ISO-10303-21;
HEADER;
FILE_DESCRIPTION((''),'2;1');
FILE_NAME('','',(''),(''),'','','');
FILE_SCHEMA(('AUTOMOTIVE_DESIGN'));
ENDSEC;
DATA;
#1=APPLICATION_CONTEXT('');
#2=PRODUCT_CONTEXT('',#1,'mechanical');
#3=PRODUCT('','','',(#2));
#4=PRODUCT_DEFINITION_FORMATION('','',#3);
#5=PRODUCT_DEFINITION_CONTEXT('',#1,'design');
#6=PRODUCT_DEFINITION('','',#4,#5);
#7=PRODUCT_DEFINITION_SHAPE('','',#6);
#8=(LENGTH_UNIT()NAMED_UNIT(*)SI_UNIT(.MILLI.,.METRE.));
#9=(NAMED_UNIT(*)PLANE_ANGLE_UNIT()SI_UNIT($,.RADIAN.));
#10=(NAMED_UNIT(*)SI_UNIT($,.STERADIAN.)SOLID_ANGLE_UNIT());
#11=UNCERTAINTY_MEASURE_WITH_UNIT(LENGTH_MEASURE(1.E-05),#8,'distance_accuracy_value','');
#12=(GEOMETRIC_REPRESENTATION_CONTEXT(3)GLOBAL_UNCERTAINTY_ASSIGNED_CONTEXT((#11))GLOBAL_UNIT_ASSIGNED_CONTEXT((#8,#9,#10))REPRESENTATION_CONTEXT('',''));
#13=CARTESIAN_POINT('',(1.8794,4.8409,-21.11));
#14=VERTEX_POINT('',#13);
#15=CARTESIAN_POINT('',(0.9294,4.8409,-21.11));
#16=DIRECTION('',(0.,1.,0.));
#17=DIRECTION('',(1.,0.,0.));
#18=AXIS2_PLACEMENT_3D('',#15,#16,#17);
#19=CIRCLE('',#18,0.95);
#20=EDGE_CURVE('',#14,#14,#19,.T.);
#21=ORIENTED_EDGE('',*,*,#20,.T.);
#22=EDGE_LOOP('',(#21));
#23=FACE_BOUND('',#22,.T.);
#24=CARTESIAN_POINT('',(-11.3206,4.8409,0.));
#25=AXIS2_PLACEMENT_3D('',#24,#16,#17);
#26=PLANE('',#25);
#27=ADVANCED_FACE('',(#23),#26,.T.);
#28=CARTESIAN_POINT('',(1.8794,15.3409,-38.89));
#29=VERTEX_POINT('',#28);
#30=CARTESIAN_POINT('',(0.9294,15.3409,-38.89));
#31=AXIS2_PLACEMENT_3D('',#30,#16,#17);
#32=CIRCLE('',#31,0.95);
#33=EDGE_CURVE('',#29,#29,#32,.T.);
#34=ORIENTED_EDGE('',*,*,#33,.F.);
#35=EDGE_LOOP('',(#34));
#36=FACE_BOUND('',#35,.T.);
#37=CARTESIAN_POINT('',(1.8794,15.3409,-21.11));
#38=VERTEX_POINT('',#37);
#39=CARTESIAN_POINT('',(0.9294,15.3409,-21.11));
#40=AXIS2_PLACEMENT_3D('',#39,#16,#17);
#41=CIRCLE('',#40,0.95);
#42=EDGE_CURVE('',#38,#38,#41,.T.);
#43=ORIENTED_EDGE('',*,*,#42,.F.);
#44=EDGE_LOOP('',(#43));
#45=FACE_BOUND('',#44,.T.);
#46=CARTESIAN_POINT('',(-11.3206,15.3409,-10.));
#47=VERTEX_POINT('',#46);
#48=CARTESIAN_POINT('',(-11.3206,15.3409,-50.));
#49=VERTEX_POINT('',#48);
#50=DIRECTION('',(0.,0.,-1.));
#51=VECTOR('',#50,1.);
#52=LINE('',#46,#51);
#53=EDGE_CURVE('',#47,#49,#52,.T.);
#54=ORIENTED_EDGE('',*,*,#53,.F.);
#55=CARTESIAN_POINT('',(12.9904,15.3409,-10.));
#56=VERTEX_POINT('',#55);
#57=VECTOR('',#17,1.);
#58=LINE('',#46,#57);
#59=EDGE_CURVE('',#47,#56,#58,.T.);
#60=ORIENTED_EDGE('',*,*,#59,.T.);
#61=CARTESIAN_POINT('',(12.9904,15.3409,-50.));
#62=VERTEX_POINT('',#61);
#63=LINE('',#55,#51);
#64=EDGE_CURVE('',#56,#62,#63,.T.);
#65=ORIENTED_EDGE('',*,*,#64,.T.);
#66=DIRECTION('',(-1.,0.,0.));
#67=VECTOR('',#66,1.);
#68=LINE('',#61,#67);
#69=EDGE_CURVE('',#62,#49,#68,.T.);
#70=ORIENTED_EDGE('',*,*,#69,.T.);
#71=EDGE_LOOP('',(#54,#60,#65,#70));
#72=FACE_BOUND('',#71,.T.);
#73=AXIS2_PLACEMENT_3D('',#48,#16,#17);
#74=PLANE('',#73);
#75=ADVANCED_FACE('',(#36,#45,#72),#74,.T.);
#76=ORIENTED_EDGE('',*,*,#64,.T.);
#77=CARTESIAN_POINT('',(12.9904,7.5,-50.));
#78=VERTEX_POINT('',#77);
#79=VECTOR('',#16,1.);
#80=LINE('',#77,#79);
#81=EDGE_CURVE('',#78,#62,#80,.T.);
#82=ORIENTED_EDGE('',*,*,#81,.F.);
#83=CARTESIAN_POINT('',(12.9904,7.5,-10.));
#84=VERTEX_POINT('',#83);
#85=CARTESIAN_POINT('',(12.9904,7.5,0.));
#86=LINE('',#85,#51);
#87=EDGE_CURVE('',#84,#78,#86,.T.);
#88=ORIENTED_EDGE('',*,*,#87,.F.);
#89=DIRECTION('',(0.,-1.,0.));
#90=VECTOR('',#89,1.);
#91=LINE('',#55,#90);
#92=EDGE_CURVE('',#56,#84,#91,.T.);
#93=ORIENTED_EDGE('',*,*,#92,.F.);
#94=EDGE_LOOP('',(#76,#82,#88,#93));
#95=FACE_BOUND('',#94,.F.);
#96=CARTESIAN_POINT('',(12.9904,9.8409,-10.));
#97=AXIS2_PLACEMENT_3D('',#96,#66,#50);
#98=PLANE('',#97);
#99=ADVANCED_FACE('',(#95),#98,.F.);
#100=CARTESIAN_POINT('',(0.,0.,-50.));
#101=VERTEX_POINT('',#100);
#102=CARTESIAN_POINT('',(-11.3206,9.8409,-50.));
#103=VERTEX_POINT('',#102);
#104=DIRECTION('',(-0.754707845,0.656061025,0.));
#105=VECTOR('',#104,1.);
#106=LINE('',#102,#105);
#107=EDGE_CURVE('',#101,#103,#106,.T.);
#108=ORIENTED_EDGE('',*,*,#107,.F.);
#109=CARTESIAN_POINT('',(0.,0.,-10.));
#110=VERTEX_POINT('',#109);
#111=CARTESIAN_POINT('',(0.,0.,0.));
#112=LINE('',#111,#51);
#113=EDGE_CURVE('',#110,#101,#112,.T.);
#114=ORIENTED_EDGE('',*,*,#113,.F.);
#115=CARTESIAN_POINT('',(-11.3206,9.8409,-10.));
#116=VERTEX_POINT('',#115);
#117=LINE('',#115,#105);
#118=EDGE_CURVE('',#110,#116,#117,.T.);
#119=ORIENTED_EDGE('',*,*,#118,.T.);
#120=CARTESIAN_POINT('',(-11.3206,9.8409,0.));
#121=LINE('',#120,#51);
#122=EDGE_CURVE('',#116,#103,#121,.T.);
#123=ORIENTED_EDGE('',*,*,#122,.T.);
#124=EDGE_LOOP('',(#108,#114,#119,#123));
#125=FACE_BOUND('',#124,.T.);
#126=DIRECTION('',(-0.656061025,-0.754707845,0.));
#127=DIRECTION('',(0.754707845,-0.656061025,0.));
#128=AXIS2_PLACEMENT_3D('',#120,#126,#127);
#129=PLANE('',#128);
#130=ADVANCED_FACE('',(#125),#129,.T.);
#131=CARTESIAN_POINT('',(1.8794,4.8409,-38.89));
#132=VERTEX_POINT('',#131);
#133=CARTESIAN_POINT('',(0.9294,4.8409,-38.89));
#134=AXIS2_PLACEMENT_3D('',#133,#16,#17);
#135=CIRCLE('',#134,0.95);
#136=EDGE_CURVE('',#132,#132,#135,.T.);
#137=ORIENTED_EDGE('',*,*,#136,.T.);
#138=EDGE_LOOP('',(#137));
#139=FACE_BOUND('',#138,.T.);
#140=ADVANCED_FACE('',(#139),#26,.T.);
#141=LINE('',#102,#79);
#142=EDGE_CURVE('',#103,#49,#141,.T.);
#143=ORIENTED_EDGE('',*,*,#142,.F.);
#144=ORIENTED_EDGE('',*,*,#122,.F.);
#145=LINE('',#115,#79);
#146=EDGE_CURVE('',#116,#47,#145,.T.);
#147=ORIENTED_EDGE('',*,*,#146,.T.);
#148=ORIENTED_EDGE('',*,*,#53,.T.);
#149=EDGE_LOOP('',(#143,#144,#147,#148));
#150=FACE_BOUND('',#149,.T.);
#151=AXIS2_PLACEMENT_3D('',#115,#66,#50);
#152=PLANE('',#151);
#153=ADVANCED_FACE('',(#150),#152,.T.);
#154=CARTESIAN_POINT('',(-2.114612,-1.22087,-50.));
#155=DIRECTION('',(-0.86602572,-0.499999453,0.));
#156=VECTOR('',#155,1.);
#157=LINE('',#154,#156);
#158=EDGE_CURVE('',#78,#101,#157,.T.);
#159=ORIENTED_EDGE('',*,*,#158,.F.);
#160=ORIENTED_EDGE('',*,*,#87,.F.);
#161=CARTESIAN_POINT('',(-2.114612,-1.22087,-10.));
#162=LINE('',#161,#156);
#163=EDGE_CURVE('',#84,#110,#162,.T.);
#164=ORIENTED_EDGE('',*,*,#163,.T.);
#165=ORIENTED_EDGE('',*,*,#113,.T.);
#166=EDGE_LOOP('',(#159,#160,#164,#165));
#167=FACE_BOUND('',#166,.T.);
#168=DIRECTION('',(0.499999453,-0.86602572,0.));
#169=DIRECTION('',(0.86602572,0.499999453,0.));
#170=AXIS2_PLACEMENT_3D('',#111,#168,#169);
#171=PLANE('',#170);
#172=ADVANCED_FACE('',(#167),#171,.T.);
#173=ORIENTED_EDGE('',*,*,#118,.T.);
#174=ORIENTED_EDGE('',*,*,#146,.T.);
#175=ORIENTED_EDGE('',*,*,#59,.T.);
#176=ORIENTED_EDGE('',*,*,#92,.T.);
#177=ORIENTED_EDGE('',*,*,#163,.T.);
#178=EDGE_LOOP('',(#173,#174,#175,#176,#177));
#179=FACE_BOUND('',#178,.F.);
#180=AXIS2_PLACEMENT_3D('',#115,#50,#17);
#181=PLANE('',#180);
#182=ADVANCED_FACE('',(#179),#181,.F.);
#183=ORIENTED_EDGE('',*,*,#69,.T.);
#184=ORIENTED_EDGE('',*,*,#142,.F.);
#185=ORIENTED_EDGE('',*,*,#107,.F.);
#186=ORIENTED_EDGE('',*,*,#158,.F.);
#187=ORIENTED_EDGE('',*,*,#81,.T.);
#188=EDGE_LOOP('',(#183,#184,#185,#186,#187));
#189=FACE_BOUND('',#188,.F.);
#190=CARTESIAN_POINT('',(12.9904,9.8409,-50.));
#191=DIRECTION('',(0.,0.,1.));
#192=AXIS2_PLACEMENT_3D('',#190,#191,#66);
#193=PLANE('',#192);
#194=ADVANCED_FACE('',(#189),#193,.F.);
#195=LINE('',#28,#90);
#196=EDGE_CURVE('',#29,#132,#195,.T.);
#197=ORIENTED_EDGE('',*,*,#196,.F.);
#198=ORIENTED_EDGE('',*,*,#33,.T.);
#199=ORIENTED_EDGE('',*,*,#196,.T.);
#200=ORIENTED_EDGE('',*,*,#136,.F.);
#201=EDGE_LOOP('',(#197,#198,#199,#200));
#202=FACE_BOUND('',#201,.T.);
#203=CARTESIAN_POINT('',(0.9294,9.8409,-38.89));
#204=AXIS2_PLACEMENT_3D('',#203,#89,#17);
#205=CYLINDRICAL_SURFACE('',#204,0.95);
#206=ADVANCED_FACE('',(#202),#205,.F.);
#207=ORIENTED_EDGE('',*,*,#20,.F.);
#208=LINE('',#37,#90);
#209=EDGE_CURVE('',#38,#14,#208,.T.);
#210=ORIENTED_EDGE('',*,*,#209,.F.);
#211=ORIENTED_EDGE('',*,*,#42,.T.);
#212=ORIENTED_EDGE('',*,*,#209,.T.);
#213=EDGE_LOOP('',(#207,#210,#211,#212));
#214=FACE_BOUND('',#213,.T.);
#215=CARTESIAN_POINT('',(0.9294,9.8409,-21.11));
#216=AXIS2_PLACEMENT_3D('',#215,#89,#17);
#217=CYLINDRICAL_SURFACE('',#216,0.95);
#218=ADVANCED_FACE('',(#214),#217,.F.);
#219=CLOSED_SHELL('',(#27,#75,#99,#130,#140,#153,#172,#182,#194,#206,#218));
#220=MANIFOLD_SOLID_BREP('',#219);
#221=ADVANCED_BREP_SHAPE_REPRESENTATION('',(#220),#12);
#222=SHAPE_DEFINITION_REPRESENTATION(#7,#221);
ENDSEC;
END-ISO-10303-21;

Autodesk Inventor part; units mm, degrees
ref_plane "YZ Plane" through (0, 0, 0) normal (1, 0, 0) x (0, 1, 0)
ref_plane "XZ Plane" through (0, 0, 0) normal (0, 1, 0) x (-1, 0, 0)
ref_plane "XY Plane" through (0, 0, 0) normal (0, 0, 1) x (1, 0, 0)
sketch "Sketch1" plane through (0, 0, 0) normal (0, 0, 1) x (1, 0, 0)
  line L0 (0, 0) -> (12.9904, 7.5) construction
  line L1 (0, 0) -> (15, 0) construction
  line L2 (0, 0) -> (-11.3206, 9.8409) construction
  line L3 (0, 0) -> (15, 0) construction
  line L4 (-11.3206, 9.8409) -> (12.9904, 7.5) construction
  line L5 (-11.3206, 9.8409) -> (0, 0)
  line L6 (0, 0) -> (12.9904, 7.5)
  line L7 (12.9904, 7.5) -> (-11.3206, 9.8409)
  line L8 (-11.3206, 9.8409) -> (12.8169, 9.8409) construction
  line L9 (12.8169, 9.8409) -> (12.9904, 7.5) construction
  dimension "d3" = 15
  dimension "d4" = 30
  dimension "d5" = 15
  dimension "d6" = 139
  dimension "d15" = 24.1376
extrude "Extrusion1" add sketch "Sketch1" against normal blind 60
sketch "Sketch4" plane through (0, 0, 0) normal (0, 0, 1) x (1, 0, 0)
  line L0 (-11.3206, 9.8409) -> (12.9904, 7.5) projected
  line L1 (-11.3206, 9.8409) -> (12.9904, 9.8409)
  line L2 (12.9904, 9.8409) -> (12.9904, 7.5)
  point P0 (0, 0)
extrude "Extrusion4" add sketch "Sketch4" against normal blind 60
sketch "Sketch5" plane through (-11.3206, 9.8409, 0) normal (0, 1, 0) x (1, 0, 0)
  line L0 (24.311, 0) -> (0, 0) projected
  line L1 (24.311, 0) -> (24.311, 60) projected
  line L2 (0, 60) -> (24.311, 60) projected
  line L3 (0, 0) -> (0, 60) projected
  line L4 (0, 0) -> (0, 60) projected
  line L5 (0, 30) -> (12.25, 30)
  line L6 (12.25, 30) -> (12.25, 38.89)
  line L7 (11.3206, 0) -> (11.3206, 60) projected
  line L8 (12.25, 30) -> (21.14, 30) construction
  circle A0 centre (12.25, 38.89) radius 0.95
  line L9 (12.25, 30) -> (12.25, 21.11)
  circle A1 centre (12.25, 21.11) radius 0.95
  dimension "d16" = 12.25
  dimension "d17" = 8.89
  dimension "d18" = 90
  dimension "d19" = 1.9
  dimension "d20" = 8.89
  dimension "d21" = 1.9
extrude "Extrusion5" cut sketch "Sketch5" against normal blind 5 contours A1 L7 | L7 A1 | A0 L7 | L7 A0
sketch "Sketch6" plane through (-11.3206, 9.8409, 0) normal (0, 1, 0) x (1, 0, 0)
  circle A0 centre (12.25, 38.89) radius 0.95 projected
  circle A1 centre (12.25, 21.11) radius 0.95 projected
  line L0 (24.311, 0) -> (0, 0) projected
  line L1 (24.311, 0) -> (24.311, 60) projected
  line L2 (0, 60) -> (24.311, 60) projected
  line L3 (0, 0) -> (0, 60) projected
  line L4 (11.3206, 0) -> (11.3206, 10)
  line L5 (11.3206, 0) -> (11.3206, 60) projected
  line L6 (11.3206, 60) -> (11.3206, 50)
  line L7 (0, 0) -> (0, 60) projected
  line L8 (0, 10) -> (24.311, 10)
  line L9 (0, 50) -> (24.311, 50)
  dimension "d24" = 10
  dimension "d25" = 10
extrude "Extrusion6" cut sketch "Sketch6" against normal blind 20 contours L9 L3 L2 L5 | L5 L2 L1 L9 | L8 L4 L0 L3 | L1 L0 L4 L8
sketch "Sketch7" plane through (-11.3206, 9.8409, -50) normal (0, 1, 0) x (1, 0, 0)
  line L0 (24.311, 0) -> (0, 0) projected
  line L1 (0, -40) -> (0, 0) projected
  line L2 (0, -40) -> (24.311, -40) projected
  line L3 (24.311, -40) -> (24.311, 0) projected
  circle A0 centre (12.25, -11.11) radius 0.95 projected
  circle A1 centre (12.25, -28.89) radius 0.95 projected
  point P0 (11.3206, -50)
extrude "Extrusion7" add sketch "Sketch7" along normal blind 5.5
properties part number "MirrorMountTest"
